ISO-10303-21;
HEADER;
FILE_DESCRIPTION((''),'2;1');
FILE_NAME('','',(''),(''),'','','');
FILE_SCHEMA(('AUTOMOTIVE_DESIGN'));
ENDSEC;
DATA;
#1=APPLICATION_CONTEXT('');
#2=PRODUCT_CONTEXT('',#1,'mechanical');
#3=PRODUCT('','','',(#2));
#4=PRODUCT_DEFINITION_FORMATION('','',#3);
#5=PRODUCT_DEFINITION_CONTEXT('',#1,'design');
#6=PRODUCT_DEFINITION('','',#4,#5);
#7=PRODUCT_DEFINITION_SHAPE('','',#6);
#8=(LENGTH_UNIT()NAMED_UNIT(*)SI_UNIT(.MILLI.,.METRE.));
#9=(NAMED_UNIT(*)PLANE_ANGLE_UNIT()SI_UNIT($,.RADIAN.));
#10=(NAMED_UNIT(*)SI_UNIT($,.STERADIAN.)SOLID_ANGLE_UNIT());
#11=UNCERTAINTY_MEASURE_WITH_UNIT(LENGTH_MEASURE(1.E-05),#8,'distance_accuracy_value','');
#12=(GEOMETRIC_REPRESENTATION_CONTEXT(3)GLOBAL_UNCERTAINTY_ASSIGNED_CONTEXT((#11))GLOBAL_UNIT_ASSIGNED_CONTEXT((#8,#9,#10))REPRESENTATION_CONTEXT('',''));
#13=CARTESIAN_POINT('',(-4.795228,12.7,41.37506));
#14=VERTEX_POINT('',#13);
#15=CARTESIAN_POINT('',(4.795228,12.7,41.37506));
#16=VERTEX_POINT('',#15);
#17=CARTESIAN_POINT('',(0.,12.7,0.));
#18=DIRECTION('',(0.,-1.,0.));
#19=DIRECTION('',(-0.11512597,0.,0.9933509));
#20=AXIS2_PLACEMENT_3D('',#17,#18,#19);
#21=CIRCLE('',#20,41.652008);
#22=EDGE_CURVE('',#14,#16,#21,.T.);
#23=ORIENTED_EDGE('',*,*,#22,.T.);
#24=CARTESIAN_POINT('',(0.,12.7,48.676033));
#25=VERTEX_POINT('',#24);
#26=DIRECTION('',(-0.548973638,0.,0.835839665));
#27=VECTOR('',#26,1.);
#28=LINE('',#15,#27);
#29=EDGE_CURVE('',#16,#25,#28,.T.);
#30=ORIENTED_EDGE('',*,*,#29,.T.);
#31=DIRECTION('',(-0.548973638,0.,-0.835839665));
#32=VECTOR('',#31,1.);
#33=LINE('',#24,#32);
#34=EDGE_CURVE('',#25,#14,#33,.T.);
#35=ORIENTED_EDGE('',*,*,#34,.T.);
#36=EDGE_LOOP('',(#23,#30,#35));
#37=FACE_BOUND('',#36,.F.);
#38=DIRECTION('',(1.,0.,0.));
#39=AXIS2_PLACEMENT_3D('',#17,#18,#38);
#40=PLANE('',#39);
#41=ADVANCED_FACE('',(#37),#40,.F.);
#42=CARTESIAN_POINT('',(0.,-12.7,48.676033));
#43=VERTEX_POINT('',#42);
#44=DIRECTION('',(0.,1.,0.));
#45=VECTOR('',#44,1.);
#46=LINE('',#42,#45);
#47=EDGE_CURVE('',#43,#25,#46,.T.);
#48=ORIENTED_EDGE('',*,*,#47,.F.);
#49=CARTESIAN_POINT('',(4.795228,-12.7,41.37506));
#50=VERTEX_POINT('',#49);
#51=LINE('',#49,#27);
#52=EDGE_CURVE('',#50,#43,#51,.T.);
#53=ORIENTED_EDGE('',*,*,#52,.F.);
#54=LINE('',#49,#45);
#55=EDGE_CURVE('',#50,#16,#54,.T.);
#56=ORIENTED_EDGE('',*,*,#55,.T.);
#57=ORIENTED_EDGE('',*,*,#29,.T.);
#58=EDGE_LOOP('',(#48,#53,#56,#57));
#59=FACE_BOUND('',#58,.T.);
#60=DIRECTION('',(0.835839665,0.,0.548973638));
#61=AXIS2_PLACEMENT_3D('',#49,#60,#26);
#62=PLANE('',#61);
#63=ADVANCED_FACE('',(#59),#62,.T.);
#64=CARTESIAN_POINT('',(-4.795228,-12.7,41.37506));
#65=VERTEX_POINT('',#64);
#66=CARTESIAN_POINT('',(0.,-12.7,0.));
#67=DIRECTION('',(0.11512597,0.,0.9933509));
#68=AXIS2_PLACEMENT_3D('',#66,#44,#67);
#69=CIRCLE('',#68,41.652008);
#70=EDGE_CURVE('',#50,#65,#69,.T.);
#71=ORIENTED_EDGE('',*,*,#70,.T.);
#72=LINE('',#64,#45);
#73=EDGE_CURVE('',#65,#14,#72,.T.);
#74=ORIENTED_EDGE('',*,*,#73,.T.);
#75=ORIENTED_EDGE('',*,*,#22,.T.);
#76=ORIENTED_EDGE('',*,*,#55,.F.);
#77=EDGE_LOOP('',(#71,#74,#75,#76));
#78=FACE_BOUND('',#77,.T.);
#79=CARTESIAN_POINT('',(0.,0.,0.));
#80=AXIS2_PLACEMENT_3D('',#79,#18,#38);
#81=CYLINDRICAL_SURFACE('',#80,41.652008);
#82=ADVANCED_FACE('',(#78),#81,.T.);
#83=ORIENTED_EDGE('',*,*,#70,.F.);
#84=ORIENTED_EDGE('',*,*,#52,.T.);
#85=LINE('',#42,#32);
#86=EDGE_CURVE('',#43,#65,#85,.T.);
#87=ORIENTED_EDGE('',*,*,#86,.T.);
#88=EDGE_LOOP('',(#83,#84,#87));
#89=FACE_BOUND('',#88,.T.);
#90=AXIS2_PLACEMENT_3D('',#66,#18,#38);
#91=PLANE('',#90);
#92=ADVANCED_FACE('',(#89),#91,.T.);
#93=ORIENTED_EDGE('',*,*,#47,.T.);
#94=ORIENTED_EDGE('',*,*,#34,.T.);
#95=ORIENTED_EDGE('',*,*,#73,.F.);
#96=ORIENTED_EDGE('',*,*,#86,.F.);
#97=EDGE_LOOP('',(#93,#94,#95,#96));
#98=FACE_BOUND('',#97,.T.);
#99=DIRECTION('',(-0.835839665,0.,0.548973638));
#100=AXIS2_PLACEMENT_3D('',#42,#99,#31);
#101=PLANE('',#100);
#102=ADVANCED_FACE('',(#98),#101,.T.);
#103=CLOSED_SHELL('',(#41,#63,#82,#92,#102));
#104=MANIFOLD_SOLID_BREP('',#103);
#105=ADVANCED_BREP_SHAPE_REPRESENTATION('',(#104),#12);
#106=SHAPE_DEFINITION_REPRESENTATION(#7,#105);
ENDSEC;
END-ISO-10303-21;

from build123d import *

# Parameters (mm, degrees)
F0_R     = 41.6520080901
F1_DEPTH = 12.7
F3_DEPTH = 25.4


with BuildPart() as f1:
    # F0 (on Front) → F1 (new body, symmetric)
    with BuildSketch(Plane.XZ):
        Circle(F0_R)
    extrude(amount=F1_DEPTH, both=True)

    # F2 (on face) → F3 (join, through all)
    with BuildSketch(Plane.XZ.offset(12.7)):
        with BuildLine():
            Line((0, 48.676032573), (-4.7952278257, 41.3750597345))
            ThreePointArc((-4.7952278257, 41.3750597345), (0, 41.6520080901), (4.7952278257, 41.3750597345))
            Line((4.7952278257, 41.3750597345), (0, 48.676032573))
        make_face()
    extrude(amount=-F3_DEPTH)


solid = f1.part
